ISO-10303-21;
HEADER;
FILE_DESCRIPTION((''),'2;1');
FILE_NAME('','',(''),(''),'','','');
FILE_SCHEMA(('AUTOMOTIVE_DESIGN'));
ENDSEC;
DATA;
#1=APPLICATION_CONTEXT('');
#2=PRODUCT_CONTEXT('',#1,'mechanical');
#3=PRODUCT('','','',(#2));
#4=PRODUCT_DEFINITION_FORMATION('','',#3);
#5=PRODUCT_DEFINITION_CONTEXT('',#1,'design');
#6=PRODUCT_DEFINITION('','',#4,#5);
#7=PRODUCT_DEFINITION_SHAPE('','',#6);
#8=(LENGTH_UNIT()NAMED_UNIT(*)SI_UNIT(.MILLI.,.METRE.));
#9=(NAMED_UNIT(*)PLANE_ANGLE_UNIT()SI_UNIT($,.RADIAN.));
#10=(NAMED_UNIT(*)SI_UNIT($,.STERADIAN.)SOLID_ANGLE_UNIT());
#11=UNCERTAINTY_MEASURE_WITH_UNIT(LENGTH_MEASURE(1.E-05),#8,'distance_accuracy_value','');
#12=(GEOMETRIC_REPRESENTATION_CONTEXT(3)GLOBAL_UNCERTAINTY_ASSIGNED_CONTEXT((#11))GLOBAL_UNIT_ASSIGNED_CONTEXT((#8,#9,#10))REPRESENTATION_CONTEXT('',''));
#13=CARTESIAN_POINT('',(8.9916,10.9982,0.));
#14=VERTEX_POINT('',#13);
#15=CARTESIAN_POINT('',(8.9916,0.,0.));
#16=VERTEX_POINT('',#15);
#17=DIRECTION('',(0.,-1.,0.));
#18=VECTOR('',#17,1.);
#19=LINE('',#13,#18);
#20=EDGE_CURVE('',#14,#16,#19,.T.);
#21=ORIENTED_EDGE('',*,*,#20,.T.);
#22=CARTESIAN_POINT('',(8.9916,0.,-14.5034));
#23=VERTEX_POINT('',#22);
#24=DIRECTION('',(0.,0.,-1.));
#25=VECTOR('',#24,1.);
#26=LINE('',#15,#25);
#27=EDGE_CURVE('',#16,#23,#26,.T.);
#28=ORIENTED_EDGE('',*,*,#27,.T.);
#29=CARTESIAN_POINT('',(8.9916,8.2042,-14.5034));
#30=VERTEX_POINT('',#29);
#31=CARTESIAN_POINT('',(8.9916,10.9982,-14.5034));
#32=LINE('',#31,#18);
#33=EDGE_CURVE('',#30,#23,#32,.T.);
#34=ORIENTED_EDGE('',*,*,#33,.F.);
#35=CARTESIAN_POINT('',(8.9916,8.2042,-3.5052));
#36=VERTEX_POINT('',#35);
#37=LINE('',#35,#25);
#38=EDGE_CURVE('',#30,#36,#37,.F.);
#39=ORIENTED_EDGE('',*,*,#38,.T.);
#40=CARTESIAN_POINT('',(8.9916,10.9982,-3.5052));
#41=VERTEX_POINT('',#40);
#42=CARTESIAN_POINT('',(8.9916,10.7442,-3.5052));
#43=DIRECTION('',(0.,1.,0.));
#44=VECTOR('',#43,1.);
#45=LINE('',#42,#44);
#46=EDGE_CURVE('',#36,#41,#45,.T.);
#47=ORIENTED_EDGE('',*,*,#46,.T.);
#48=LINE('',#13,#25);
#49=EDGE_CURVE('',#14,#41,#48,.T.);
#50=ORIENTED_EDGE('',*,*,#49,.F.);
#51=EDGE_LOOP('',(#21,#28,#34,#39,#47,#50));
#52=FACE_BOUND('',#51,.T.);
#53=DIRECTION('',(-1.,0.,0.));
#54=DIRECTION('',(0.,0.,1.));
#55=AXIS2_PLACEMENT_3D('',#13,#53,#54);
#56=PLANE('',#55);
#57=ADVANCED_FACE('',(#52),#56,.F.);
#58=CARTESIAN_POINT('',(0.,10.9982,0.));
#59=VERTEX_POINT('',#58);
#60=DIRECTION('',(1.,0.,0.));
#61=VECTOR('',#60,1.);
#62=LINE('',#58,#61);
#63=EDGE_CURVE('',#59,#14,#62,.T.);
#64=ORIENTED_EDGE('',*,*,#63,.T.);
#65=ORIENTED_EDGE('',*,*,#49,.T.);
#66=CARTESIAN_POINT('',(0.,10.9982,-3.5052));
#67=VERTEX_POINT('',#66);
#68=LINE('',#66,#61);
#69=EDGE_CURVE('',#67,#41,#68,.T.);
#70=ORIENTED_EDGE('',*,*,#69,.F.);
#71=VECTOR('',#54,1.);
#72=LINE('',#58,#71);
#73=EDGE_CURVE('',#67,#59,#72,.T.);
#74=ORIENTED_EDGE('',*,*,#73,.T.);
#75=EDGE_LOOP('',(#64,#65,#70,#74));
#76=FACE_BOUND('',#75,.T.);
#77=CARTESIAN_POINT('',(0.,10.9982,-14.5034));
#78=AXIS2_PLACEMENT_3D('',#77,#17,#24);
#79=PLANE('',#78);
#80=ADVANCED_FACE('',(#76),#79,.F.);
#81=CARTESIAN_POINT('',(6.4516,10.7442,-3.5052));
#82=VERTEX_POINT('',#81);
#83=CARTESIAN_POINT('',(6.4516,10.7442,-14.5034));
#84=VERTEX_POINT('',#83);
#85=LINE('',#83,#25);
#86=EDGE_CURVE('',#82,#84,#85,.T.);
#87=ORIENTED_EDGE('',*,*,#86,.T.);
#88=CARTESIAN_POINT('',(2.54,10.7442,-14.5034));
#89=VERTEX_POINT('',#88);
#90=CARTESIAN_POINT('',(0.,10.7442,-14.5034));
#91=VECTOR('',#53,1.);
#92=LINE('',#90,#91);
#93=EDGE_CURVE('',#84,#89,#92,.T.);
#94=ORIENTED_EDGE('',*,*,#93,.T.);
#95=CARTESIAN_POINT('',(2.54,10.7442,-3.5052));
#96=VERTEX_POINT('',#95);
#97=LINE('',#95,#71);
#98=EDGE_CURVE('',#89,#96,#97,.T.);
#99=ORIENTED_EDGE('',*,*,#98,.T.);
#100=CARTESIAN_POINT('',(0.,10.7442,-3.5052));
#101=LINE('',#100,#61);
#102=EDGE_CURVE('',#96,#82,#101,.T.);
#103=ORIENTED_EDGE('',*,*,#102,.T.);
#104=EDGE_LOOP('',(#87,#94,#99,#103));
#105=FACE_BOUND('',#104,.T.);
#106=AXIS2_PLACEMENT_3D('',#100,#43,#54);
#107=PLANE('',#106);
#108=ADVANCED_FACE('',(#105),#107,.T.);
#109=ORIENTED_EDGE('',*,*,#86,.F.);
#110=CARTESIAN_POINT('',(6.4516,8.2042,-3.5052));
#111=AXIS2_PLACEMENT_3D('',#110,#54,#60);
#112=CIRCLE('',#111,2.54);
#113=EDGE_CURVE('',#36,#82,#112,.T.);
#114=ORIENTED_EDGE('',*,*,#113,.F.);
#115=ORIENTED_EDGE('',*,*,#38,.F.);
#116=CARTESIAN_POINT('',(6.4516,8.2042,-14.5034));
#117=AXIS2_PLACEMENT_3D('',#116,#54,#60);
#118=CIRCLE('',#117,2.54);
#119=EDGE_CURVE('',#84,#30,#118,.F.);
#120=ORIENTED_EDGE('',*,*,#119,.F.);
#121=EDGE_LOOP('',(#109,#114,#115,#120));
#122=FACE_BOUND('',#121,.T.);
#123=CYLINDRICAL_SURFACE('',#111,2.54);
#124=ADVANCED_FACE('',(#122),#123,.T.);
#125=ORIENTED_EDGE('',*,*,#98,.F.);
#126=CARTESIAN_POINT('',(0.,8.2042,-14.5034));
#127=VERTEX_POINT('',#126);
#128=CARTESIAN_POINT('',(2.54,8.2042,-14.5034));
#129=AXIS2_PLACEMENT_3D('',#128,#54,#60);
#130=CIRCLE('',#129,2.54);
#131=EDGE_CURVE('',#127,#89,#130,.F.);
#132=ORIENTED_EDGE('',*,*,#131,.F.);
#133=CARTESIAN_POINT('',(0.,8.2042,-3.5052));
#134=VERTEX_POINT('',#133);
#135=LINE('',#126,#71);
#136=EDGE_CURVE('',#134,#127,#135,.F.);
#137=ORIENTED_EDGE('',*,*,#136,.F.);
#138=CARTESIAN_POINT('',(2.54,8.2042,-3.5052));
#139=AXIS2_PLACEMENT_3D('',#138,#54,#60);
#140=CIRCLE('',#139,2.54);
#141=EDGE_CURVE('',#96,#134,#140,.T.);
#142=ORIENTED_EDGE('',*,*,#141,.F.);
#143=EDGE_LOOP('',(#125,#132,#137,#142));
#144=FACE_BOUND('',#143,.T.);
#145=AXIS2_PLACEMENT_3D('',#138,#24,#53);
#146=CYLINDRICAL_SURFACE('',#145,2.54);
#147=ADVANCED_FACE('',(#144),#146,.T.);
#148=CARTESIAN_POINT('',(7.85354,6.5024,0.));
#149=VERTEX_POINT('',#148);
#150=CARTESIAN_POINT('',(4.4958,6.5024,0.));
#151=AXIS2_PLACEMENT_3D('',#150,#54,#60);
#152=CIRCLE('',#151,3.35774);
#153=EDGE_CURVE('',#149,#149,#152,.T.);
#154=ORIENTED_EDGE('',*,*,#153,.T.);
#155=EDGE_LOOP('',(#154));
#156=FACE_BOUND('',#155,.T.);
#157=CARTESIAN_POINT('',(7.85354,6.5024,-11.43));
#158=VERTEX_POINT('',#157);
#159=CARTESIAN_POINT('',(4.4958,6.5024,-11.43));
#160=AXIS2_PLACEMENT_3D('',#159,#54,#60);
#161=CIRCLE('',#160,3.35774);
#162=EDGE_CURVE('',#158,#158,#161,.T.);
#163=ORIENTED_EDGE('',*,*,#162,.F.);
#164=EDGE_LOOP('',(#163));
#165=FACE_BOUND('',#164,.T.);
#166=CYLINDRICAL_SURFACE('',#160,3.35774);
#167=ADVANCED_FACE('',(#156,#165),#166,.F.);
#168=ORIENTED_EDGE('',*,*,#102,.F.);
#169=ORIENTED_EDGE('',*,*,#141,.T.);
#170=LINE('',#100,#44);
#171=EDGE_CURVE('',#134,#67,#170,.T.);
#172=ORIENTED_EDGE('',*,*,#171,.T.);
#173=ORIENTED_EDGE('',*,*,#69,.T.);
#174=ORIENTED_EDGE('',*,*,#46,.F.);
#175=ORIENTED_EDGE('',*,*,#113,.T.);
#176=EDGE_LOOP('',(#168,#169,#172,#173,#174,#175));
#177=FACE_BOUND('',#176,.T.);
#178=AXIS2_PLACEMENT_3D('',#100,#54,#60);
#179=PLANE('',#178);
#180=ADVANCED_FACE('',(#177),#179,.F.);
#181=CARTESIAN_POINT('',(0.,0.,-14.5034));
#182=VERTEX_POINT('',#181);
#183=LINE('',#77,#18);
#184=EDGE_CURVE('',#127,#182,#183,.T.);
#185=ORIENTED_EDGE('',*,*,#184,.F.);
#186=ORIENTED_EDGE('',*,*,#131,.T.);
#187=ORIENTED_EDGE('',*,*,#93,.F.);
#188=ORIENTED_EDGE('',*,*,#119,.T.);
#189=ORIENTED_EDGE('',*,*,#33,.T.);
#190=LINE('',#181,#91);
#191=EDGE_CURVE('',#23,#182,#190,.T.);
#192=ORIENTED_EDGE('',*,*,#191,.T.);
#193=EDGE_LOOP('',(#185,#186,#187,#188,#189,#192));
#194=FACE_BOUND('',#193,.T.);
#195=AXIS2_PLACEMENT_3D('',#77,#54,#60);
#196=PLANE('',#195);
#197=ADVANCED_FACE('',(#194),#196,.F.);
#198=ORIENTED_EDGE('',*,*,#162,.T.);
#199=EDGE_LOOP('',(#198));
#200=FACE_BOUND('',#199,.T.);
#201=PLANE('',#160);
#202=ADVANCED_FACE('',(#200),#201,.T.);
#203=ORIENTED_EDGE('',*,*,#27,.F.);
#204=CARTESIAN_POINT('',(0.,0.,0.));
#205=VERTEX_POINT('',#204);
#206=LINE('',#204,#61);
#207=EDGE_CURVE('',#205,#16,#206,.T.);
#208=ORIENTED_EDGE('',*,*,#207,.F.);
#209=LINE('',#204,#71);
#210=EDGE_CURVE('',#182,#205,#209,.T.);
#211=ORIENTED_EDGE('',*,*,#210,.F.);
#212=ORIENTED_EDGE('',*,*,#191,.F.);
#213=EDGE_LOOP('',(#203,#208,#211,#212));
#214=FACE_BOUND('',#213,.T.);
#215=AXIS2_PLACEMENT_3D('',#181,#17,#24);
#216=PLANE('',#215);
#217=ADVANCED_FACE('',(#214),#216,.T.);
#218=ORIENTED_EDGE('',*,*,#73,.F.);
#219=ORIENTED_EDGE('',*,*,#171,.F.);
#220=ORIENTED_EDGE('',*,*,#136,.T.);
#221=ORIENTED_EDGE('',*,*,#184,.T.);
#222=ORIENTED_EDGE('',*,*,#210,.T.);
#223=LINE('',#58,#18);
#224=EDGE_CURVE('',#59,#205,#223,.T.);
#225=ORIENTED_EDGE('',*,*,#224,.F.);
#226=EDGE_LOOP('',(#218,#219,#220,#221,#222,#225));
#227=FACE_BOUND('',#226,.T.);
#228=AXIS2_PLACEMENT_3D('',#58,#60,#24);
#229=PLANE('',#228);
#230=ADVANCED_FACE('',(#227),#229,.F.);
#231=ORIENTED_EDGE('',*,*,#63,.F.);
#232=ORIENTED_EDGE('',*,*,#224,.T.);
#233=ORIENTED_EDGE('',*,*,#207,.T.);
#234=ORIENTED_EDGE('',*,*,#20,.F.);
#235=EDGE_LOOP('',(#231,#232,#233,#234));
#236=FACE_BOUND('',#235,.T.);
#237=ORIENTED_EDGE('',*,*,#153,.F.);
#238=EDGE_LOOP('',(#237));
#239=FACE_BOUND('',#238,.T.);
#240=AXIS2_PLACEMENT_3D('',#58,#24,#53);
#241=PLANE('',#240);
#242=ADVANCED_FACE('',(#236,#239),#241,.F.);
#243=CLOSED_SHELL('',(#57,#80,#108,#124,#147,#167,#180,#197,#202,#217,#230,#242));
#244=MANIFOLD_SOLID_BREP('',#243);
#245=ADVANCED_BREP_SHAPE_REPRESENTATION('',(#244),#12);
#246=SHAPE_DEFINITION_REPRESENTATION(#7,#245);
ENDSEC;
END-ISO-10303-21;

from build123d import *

# Parameters (mm, degrees)
SKETCH1_W           = 8.9916
SKETCH1_H           = 14.5034
BOSS_EXTRUDE1_DEPTH = 10.9982
SKETCH2_R           = 3.357740144
CUT_EXTRUDE1_DEPTH  = 11.43
SKETCH3_W           = 8.9916
SKETCH3_H           = 10.9982
CUT_EXTRUDE2_DEPTH  = 0.254
FILLET1_R           = 2.54
FILLET2_R           = 2.54


with BuildPart() as part:
    # Sketch1 → Boss-Extrude1 (new body)
    with BuildSketch(Plane(origin=(0, 0, 0), x_dir=(1, 0, 0), z_dir=(0, 1, 0))):
        with Locations((4.4958, 7.2517)):
            Rectangle(SKETCH1_W, SKETCH1_H)
    extrude(amount=BOSS_EXTRUDE1_DEPTH)

    # Sketch2 → Cut-Extrude1 (cut)
    with BuildSketch(Plane.XY):
        with Locations((4.4958, 6.5024)):
            Circle(SKETCH2_R)
    extrude(amount=-CUT_EXTRUDE1_DEPTH, mode=Mode.SUBTRACT)

    # Sketch3 → Cut-Extrude2 (cut)
    with BuildSketch(Plane(origin=(0, 10.9982, 0), x_dir=(1, 0, 0), z_dir=(0, 1, 0))):
        with Locations((4.4958, 9.0043)):
            Rectangle(SKETCH3_W, SKETCH3_H)
    extrude(amount=-CUT_EXTRUDE2_DEPTH, mode=Mode.SUBTRACT)

    # Fillet1
    fillet1_edges = [part.edges().sort_by_distance(p)[0] for p in [
        (8.9916, 10.7442, -9.0043),
    ]]
    fillet(fillet1_edges, radius=FILLET1_R)

    # Fillet2
    fillet2_edges = [part.edges().sort_by_distance(p)[0] for p in [
        (0, 10.7442, -9.0043),
    ]]
    fillet(fillet2_edges, radius=FILLET2_R)


solid = part.part
